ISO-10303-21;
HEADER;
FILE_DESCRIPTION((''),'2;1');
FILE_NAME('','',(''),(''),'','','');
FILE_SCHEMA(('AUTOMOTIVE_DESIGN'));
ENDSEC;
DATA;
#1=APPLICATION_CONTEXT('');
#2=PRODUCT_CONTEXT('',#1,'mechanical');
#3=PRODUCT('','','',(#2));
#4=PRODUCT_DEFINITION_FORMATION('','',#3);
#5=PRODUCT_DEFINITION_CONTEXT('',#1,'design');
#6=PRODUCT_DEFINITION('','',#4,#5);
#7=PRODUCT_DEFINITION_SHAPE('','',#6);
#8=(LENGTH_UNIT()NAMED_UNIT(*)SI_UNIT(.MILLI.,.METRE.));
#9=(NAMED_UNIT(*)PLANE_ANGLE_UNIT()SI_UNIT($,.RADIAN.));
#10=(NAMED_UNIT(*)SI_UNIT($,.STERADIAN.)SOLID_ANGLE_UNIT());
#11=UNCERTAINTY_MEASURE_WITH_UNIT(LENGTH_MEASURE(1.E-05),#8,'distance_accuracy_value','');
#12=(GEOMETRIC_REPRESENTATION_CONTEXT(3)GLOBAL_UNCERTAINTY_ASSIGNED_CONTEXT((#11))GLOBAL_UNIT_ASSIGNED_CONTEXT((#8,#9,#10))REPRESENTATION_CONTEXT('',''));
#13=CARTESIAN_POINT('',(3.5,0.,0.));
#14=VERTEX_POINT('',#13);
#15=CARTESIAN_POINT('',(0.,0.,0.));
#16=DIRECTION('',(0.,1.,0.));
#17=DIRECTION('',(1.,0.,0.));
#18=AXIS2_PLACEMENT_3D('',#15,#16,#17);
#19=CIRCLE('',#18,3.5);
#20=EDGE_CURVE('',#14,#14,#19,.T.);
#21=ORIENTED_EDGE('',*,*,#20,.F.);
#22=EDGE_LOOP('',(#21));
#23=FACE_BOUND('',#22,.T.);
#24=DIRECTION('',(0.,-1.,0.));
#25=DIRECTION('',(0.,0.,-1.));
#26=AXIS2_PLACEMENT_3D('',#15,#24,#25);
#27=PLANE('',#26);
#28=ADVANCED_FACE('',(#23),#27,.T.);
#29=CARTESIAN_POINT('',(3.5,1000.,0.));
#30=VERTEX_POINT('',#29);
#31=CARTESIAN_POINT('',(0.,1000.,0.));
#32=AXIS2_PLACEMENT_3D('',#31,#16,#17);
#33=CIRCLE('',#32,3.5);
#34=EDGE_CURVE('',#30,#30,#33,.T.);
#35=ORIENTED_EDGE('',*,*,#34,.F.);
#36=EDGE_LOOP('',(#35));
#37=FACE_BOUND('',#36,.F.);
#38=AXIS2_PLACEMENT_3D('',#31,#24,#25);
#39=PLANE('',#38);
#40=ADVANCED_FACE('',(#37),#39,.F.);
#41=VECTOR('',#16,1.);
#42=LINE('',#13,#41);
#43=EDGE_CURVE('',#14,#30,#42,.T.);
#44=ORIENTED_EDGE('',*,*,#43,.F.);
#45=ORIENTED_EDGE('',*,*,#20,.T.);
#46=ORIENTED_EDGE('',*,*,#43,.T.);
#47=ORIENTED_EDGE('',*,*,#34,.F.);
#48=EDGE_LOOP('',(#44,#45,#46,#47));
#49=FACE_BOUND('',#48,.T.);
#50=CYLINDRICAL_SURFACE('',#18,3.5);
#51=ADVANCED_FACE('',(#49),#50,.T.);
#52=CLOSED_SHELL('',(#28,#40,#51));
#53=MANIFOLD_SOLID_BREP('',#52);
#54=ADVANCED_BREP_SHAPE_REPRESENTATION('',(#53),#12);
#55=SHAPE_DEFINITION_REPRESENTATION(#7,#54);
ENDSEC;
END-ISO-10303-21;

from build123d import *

# Parameters (mm, degrees)
F1_R = 3.5


with BuildPart() as f2:
    # F2: sweep along a path in F0
    with BuildLine(Plane.XY) as f2_path:
        Line((0, 0), (0, 1000))
    # F1 (on Front) → F2 (sweep)
    with BuildSketch(Plane.XZ):
        Circle(F1_R)
    sweep(path=f2_path.line)


solid = f2.part
